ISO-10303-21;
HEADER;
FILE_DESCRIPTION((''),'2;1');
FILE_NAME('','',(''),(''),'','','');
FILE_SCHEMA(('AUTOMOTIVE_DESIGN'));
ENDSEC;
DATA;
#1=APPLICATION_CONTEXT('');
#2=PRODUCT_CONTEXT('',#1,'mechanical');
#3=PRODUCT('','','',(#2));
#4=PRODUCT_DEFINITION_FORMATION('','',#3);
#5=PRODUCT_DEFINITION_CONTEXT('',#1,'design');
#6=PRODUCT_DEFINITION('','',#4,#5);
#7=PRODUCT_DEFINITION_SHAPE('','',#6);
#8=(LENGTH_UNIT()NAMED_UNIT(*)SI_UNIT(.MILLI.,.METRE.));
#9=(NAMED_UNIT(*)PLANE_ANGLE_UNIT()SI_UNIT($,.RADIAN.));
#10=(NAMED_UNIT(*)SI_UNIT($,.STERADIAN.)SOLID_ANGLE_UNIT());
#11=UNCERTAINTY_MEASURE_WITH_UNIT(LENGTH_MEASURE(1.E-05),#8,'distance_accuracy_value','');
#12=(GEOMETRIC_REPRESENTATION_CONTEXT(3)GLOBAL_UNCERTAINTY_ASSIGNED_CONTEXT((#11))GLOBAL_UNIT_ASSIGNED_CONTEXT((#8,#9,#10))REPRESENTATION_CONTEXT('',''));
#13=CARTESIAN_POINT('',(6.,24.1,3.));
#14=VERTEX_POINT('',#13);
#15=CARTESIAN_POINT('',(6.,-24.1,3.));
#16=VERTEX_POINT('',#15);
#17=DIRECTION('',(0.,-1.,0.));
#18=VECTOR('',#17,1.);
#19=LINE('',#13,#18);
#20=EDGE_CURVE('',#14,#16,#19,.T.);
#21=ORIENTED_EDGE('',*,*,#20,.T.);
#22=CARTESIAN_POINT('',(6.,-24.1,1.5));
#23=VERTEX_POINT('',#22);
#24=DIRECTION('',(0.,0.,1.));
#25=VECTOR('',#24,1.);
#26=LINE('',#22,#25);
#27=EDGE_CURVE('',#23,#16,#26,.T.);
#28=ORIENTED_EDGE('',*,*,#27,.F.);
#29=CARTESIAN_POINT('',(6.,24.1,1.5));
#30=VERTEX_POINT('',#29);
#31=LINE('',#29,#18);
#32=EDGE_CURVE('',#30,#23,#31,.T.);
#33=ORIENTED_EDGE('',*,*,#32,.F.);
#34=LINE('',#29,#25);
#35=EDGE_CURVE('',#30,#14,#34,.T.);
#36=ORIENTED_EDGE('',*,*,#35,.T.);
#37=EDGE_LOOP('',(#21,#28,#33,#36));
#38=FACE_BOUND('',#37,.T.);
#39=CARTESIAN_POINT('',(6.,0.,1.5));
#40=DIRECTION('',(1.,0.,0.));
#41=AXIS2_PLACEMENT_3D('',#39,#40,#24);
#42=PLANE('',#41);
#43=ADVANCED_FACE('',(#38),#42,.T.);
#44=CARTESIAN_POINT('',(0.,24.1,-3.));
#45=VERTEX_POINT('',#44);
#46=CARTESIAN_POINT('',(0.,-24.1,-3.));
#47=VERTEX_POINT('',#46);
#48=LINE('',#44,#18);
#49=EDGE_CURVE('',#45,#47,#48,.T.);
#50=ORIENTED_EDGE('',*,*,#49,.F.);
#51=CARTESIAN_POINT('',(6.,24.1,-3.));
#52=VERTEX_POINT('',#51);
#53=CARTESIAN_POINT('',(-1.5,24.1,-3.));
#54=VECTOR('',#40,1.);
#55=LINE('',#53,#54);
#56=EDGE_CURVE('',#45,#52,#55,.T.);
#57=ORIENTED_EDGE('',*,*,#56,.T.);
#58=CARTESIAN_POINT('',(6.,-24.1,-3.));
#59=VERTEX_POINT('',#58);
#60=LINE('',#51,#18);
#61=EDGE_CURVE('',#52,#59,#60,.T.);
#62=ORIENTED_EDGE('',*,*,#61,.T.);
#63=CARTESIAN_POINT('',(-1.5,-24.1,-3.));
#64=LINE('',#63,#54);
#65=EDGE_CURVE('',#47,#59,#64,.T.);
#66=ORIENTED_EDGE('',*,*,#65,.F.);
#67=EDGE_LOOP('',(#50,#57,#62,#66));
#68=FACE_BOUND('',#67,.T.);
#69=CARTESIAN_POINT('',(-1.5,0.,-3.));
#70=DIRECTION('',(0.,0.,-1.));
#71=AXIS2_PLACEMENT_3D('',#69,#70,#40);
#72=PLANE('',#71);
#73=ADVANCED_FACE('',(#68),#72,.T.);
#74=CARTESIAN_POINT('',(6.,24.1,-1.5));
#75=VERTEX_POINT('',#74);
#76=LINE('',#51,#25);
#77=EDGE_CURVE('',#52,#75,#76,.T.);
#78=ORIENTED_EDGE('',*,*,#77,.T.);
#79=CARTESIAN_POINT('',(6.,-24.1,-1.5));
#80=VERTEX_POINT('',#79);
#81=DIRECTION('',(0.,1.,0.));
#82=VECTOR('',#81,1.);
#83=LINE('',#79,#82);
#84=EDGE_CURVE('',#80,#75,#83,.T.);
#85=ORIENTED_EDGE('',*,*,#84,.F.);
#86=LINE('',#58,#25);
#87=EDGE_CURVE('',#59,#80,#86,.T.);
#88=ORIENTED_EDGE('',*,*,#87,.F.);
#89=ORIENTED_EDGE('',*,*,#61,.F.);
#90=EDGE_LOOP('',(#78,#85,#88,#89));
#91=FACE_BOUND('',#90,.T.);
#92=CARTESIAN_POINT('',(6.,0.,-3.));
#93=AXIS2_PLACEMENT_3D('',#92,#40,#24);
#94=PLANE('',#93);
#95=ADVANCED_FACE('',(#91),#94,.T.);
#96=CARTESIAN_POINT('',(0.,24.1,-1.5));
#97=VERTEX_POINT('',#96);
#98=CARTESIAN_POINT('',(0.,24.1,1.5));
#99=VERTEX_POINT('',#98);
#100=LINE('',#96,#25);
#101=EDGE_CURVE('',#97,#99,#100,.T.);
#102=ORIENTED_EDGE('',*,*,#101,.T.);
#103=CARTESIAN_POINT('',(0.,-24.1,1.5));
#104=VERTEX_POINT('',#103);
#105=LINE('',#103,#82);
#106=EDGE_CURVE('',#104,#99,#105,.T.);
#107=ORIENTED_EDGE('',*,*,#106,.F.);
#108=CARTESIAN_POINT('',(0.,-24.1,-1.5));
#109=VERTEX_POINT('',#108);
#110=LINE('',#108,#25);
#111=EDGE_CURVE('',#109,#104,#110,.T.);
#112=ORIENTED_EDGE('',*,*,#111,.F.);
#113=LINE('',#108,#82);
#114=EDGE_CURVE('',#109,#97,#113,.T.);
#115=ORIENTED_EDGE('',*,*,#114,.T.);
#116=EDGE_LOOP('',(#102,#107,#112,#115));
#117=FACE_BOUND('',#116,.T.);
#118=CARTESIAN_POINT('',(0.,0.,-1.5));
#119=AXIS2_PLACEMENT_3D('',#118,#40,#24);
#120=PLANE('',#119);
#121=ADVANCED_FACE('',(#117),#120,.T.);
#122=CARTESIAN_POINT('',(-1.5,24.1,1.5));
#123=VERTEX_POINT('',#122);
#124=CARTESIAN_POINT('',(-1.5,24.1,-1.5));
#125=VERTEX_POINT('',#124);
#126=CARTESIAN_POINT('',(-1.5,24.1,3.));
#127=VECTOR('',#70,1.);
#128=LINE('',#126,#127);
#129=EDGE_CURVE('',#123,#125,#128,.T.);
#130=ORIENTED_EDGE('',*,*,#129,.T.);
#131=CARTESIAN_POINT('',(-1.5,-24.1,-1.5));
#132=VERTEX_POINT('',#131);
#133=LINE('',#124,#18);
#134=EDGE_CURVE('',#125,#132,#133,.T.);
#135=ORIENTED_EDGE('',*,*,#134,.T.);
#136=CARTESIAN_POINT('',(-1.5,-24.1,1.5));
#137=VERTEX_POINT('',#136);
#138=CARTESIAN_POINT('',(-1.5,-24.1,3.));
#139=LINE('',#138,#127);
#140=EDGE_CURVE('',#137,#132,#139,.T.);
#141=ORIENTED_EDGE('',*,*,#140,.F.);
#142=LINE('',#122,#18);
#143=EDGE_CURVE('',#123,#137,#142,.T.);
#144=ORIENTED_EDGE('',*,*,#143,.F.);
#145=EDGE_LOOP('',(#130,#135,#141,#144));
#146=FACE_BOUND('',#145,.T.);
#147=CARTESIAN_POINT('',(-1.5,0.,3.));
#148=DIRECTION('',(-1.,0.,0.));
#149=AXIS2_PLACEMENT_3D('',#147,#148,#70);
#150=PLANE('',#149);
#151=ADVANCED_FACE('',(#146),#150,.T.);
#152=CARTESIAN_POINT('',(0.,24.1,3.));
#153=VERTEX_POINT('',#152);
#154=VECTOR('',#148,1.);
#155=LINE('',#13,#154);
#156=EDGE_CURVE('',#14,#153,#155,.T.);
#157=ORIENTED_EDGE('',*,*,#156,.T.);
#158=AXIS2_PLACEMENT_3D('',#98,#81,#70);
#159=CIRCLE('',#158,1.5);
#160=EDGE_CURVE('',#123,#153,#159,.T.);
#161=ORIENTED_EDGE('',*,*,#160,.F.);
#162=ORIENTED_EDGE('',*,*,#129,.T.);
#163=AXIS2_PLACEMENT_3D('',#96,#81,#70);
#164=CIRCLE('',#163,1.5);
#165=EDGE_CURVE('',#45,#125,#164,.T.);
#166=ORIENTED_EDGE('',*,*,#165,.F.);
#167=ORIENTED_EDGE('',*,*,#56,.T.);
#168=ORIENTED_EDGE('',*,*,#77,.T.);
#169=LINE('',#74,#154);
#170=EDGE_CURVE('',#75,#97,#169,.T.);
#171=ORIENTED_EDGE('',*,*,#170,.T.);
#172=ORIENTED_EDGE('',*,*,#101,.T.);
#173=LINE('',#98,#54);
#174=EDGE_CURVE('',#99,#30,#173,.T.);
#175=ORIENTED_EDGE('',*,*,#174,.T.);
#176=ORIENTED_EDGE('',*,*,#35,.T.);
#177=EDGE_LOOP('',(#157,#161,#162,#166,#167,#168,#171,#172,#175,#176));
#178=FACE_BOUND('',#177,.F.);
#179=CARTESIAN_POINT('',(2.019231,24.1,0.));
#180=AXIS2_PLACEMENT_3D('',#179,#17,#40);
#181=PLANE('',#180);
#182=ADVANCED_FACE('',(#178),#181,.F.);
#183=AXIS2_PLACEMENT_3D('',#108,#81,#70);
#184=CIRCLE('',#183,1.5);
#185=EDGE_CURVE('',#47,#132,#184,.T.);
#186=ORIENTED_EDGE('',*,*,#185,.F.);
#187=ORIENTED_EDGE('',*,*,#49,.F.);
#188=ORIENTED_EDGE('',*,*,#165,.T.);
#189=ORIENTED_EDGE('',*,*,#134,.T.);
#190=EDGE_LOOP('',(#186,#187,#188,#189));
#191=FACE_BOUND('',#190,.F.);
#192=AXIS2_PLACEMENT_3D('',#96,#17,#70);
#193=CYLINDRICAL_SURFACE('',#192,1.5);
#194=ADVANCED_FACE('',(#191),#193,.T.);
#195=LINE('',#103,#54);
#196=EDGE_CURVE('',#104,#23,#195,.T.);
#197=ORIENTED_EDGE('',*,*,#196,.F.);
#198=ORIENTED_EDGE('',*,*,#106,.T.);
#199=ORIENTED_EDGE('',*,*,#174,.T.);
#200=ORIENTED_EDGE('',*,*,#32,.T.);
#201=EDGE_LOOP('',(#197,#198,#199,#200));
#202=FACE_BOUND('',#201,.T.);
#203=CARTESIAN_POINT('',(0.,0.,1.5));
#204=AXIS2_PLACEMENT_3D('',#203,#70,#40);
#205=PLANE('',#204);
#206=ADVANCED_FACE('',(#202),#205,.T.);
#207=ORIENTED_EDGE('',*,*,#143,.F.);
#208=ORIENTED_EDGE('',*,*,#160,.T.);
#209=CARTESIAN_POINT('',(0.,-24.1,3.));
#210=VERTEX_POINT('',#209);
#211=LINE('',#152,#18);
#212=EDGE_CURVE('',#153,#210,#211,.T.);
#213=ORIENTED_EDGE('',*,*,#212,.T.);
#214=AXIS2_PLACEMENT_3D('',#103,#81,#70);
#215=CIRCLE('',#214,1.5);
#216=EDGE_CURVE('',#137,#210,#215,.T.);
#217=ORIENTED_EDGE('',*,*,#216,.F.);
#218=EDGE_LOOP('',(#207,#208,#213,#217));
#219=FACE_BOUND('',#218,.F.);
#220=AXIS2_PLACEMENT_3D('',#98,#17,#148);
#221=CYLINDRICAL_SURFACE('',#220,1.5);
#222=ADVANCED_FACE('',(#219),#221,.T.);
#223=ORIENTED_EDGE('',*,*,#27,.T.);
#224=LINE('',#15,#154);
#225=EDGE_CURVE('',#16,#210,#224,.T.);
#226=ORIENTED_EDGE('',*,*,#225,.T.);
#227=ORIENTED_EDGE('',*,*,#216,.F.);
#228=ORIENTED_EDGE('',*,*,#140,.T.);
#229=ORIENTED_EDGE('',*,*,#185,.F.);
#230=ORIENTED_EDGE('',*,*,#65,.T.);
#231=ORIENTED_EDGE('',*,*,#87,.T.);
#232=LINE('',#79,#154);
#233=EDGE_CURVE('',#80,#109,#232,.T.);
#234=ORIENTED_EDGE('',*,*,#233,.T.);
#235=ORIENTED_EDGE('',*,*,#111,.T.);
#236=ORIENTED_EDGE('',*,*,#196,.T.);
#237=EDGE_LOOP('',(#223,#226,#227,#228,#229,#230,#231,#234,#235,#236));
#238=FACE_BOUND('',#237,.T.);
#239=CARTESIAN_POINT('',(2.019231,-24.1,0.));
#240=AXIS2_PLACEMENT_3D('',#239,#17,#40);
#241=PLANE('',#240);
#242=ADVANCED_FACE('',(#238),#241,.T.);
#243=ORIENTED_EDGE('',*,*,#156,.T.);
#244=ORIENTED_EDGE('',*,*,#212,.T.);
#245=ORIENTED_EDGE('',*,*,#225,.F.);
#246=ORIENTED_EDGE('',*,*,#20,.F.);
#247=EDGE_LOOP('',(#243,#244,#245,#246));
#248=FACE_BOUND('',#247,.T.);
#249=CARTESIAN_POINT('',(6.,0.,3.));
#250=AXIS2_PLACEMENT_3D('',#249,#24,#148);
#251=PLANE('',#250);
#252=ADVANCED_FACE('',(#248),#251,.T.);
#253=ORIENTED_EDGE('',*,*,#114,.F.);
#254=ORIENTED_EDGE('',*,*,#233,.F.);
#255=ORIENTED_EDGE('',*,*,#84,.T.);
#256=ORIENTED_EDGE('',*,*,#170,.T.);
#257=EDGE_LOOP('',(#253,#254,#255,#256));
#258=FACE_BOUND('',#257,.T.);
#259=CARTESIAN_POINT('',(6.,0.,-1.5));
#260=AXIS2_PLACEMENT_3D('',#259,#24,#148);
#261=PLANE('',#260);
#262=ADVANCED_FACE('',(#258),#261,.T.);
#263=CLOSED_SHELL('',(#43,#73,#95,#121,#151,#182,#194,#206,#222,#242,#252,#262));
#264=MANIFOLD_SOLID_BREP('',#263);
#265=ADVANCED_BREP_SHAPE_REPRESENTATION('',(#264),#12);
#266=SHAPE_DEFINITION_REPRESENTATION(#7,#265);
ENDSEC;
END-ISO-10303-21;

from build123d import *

# Parameters (mm, degrees)
F1_DEPTH = 24.1
F2_R     = 1.5


with BuildPart() as f1:
    # F0 (on Front) → F1 (new body, symmetric)
    with BuildSketch(Plane.XZ):
        Polygon((0, 1.5), (6, 1.5), (6, 3), (-1.5, 3), (-1.5, -3), (6, -3), (6, -1.5), (0, -1.5), align=None)
    extrude(amount=F1_DEPTH, both=True)

    # F2
    f2_edges = [f1.edges().sort_by_distance(p)[0] for p in [
        (-1.5, 0, 3),
        (-1.5, 0, -3),
    ]]
    fillet(f2_edges, radius=F2_R)


solid = f1.part
